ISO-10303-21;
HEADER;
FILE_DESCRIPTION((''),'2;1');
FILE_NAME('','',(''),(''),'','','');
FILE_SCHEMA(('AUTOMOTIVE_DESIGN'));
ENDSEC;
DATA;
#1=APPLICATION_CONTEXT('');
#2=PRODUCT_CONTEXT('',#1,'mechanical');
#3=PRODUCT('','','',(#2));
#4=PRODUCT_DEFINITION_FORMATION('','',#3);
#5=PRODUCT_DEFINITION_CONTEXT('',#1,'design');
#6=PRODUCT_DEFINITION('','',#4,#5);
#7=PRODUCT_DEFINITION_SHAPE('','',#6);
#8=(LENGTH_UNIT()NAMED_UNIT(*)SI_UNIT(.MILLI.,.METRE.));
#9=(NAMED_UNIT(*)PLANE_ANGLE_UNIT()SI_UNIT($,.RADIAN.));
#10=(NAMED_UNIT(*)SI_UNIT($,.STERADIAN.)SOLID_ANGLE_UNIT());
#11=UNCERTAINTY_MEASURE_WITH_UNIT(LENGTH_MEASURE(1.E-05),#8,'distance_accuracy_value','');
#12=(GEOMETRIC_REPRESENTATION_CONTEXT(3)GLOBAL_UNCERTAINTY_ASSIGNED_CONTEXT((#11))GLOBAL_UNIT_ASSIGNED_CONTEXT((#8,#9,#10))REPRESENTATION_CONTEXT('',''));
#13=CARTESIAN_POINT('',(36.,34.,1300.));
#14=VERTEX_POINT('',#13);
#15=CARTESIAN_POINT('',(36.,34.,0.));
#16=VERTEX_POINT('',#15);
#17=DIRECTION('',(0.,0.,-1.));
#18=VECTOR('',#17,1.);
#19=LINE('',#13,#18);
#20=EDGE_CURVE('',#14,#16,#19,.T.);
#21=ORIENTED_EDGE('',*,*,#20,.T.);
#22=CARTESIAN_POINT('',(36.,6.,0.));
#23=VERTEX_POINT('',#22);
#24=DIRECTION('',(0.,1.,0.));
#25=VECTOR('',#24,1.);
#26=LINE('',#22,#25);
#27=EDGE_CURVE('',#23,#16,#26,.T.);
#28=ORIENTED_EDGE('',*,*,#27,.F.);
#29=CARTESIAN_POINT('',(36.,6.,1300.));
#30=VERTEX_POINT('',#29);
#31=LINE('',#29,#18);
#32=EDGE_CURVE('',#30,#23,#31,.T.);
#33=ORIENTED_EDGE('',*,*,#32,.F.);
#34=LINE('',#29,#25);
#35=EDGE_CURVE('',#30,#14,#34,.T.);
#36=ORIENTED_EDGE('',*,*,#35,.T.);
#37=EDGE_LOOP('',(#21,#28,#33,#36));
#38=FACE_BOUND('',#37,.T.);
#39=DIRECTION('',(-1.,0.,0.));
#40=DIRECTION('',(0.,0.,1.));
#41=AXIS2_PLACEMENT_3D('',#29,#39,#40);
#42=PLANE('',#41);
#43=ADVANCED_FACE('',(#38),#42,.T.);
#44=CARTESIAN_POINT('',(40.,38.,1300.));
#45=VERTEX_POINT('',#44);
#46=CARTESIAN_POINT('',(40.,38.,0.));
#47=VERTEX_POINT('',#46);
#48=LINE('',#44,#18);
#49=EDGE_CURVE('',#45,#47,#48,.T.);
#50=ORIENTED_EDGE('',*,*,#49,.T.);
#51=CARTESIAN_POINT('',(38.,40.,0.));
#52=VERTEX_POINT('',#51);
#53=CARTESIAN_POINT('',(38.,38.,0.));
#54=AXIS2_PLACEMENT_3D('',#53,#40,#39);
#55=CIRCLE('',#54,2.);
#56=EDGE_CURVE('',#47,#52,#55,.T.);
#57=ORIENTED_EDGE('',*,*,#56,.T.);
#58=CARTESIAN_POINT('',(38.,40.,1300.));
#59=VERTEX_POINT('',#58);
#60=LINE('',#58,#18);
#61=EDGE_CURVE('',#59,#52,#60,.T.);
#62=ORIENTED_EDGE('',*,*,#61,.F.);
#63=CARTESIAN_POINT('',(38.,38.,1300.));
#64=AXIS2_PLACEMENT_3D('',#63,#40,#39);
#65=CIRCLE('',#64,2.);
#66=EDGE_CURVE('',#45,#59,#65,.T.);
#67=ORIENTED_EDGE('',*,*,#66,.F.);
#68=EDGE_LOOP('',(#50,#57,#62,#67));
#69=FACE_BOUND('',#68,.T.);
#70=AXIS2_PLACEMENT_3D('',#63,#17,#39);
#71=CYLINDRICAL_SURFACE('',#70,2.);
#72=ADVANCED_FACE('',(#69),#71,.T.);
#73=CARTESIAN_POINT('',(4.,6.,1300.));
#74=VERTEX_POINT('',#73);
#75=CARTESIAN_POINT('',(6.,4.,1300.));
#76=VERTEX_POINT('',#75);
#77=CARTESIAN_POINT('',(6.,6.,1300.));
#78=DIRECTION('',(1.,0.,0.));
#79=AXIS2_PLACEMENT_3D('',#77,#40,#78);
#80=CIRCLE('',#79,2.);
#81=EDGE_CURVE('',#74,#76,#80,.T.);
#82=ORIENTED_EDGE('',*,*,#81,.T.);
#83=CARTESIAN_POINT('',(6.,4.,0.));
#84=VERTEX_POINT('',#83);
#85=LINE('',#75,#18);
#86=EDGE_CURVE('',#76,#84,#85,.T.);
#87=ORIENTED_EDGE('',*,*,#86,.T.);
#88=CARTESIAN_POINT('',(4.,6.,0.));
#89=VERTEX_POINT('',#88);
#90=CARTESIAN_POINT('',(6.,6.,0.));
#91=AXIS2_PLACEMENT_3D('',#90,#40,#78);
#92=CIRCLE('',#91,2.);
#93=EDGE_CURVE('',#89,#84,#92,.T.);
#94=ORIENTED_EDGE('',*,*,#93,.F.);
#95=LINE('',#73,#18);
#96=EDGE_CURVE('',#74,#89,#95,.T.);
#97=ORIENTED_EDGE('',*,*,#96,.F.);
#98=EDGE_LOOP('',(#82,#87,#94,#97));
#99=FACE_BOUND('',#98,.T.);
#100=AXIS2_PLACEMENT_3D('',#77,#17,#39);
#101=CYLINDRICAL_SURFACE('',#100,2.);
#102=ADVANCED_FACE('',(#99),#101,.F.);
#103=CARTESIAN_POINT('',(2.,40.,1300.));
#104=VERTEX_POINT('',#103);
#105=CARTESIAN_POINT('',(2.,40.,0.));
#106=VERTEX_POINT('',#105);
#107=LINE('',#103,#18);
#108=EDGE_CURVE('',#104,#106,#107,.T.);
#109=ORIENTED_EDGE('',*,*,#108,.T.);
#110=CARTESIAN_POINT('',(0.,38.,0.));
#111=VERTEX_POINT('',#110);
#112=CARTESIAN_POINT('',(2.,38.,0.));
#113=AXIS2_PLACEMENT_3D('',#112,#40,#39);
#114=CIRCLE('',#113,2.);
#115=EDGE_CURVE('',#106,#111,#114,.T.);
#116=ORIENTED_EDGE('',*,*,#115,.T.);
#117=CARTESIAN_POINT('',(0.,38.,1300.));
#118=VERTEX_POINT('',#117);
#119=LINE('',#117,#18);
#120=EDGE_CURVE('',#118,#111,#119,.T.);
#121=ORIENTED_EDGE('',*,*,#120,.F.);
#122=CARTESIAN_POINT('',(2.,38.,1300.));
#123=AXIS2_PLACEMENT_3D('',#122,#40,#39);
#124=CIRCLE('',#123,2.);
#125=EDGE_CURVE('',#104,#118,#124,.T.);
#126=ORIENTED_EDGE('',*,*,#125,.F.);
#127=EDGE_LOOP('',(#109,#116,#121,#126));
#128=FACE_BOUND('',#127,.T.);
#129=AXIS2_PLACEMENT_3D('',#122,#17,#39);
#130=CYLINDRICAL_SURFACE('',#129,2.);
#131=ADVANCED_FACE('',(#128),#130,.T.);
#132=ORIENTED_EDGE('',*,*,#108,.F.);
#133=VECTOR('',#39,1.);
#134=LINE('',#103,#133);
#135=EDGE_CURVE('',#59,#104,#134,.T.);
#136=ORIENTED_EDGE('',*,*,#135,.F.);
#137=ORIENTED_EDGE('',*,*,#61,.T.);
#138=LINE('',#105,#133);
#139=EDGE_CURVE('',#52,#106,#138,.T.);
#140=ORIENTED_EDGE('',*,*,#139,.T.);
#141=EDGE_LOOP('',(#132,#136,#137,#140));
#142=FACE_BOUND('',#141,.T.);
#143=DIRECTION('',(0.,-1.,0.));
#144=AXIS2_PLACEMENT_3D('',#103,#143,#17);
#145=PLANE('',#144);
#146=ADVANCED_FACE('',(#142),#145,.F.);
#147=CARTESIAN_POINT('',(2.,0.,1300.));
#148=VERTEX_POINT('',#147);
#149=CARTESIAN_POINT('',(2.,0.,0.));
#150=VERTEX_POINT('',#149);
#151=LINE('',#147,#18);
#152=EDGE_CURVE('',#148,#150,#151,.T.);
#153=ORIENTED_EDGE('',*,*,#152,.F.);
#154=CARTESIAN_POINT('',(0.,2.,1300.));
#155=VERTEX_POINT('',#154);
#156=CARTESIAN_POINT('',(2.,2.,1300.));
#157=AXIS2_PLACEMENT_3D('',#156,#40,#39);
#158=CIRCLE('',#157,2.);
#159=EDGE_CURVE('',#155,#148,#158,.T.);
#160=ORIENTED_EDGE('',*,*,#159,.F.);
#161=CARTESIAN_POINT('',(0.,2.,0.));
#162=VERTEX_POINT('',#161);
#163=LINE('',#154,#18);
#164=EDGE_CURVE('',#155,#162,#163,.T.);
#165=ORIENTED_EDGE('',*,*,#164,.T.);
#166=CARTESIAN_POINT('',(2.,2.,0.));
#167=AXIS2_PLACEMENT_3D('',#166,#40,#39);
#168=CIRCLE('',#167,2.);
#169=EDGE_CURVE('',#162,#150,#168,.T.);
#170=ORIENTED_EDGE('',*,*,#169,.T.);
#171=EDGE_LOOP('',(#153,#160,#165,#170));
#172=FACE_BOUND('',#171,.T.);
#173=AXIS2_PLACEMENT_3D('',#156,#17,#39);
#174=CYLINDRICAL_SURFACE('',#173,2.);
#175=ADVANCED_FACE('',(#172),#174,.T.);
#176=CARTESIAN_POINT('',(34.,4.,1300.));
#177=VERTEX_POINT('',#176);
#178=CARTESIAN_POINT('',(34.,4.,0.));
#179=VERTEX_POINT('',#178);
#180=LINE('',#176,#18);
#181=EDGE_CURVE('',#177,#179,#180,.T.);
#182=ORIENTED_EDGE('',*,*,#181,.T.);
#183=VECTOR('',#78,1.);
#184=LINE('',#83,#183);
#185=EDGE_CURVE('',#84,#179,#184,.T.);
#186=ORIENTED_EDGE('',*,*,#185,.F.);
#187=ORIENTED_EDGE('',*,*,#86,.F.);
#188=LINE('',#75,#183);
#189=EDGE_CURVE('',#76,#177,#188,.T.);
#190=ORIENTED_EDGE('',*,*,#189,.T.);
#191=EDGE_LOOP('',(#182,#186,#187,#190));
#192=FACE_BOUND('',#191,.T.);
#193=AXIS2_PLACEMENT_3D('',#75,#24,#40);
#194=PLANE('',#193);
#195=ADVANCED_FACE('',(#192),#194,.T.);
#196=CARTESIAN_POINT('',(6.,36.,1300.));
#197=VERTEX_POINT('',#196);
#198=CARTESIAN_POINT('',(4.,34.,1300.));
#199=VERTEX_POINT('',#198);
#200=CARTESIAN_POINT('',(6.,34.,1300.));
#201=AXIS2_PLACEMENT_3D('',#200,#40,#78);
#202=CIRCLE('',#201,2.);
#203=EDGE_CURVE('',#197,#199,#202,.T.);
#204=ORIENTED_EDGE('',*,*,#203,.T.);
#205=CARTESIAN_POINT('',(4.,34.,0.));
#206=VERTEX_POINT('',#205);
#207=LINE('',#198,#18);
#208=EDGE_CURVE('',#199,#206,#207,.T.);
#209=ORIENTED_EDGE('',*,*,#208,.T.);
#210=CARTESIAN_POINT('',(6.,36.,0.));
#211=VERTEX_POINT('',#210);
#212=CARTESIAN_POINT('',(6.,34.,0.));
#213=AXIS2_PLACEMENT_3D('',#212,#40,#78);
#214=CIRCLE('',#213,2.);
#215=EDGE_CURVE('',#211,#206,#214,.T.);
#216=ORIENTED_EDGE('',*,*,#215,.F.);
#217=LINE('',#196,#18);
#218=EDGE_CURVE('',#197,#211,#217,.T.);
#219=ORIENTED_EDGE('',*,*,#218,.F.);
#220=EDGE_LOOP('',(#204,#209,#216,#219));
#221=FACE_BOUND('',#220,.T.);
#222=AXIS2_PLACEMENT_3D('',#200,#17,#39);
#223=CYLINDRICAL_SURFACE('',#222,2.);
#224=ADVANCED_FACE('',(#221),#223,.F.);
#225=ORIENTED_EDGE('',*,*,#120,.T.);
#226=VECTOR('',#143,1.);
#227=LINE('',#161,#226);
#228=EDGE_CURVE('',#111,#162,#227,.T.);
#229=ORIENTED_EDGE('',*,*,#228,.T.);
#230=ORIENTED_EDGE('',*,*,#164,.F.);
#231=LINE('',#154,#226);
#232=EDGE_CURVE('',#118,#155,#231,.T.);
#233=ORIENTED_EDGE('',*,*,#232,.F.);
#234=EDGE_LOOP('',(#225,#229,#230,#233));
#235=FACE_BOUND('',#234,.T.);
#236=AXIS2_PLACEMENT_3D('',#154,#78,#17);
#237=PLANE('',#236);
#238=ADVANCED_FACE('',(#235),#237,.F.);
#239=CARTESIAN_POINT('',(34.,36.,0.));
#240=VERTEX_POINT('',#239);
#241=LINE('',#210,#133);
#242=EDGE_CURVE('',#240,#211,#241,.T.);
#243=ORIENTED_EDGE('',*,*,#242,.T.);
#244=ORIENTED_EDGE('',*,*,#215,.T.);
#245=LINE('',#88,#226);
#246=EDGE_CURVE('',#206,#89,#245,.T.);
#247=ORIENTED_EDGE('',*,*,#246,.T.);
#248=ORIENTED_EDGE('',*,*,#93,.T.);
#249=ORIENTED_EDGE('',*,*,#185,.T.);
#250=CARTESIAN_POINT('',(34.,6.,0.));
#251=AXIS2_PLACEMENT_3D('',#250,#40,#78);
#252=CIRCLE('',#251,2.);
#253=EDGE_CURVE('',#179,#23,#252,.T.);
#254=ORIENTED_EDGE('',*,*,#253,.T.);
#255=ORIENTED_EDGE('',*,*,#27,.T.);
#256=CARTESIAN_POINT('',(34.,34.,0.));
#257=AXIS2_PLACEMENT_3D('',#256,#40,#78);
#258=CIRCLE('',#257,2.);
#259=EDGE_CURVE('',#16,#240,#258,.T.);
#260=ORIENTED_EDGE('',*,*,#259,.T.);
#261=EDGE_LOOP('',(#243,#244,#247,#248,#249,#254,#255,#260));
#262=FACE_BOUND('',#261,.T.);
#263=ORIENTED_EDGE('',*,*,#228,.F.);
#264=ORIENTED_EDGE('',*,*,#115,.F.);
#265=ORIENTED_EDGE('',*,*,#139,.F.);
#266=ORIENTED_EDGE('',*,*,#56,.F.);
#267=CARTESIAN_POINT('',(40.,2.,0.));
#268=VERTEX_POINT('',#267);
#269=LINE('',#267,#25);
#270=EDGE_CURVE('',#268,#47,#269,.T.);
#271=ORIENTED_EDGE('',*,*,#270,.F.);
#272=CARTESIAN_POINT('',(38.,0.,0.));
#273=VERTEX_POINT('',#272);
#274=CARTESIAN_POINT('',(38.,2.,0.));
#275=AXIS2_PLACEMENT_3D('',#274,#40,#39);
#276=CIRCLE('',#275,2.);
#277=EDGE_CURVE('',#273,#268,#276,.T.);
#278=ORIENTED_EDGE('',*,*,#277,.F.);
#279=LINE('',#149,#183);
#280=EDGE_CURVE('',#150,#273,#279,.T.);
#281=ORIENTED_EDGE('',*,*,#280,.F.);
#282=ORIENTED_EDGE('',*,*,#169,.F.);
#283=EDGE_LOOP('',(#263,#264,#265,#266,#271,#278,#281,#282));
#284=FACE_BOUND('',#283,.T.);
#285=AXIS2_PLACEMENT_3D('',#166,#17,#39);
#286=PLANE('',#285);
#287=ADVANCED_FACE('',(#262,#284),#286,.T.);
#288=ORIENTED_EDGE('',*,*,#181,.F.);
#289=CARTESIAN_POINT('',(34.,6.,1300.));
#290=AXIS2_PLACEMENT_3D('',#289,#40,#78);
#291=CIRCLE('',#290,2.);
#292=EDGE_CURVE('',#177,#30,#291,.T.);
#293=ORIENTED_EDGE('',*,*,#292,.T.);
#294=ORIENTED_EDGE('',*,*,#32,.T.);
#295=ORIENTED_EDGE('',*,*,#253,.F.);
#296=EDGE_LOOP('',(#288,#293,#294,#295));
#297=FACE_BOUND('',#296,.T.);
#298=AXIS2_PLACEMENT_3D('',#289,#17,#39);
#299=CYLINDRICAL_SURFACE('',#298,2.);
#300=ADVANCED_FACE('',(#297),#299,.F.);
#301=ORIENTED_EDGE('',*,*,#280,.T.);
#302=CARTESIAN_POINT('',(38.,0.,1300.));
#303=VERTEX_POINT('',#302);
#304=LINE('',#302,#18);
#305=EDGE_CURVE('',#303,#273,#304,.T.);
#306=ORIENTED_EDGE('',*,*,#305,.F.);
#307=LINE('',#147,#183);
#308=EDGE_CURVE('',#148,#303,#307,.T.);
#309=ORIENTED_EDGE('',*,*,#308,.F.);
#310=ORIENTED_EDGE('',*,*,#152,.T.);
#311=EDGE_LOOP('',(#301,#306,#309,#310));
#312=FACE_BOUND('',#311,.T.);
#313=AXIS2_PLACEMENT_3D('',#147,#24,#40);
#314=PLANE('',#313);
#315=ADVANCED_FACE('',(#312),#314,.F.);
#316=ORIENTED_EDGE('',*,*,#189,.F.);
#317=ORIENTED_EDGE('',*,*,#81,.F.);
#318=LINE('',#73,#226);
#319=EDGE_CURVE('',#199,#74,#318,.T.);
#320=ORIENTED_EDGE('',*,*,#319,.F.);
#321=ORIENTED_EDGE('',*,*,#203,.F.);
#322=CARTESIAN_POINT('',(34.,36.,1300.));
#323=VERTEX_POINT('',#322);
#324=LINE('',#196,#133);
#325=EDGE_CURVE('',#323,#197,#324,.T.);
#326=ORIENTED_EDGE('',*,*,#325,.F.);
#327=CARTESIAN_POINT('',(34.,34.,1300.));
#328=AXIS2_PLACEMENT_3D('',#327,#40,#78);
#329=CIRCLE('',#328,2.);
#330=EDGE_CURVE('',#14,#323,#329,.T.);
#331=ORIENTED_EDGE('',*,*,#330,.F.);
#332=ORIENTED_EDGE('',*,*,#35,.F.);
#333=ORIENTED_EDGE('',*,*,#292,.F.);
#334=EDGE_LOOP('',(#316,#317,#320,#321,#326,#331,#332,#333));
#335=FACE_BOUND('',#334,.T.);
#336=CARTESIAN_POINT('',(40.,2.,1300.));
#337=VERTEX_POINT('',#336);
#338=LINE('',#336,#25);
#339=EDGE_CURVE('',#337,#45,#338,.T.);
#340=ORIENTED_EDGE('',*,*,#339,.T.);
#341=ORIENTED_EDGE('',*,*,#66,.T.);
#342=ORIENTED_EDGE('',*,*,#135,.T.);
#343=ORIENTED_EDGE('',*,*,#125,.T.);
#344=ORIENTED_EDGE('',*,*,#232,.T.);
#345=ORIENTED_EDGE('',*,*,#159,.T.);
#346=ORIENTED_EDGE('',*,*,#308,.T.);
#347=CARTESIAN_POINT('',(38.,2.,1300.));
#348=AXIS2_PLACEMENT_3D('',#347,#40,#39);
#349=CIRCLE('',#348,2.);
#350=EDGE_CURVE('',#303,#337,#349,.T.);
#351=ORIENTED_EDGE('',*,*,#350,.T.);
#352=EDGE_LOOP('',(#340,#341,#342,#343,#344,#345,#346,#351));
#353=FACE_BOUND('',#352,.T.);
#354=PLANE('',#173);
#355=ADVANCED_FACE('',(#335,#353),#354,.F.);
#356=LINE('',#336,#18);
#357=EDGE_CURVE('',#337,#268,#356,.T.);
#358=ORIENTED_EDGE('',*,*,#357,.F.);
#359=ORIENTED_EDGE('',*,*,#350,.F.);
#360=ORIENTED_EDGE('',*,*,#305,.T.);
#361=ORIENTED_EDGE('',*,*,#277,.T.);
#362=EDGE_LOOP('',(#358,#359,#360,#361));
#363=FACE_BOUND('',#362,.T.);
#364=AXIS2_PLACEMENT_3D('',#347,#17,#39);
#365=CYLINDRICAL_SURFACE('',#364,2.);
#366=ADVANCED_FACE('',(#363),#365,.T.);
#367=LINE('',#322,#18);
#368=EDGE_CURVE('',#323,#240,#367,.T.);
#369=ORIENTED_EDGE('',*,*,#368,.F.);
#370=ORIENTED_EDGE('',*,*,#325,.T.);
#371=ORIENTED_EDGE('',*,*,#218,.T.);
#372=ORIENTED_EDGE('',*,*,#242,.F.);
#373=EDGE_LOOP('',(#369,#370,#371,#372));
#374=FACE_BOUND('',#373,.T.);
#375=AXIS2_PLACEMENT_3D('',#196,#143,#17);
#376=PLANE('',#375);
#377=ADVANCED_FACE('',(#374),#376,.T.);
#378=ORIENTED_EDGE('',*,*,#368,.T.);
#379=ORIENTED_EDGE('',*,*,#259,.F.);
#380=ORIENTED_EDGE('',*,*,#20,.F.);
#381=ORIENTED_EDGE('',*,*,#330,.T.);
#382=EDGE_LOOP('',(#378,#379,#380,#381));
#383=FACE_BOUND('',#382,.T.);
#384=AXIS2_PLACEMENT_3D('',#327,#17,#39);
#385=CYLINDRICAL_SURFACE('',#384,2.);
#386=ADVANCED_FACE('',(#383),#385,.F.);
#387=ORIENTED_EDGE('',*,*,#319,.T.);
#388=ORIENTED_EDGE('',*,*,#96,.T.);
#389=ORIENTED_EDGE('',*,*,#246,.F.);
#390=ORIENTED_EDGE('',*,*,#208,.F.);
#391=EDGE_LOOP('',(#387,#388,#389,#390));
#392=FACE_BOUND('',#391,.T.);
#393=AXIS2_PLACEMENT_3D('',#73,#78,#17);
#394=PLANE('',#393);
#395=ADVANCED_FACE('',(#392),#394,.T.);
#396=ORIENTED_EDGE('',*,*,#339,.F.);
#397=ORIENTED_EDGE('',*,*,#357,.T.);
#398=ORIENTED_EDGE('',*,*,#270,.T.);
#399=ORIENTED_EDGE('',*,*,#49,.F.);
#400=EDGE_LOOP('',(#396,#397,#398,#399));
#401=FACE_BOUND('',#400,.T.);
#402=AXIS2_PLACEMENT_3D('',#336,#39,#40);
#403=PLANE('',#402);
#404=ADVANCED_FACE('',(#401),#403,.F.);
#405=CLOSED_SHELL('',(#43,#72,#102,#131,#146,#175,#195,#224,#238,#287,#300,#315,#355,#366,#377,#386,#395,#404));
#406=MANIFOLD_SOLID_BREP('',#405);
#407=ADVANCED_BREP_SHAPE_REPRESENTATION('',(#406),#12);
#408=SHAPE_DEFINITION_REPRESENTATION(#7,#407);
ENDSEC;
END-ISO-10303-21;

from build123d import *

# Parameters (mm, degrees)
BOSS_EXTRU_1_DEPTH = 1300


with BuildPart() as part:
    # Esquisse2 → Boss.-Extru.1 (new body)
    with BuildSketch(Plane.XY):
        with BuildLine():
            Line((2, 0), (38, 0))
            ThreePointArc((38, 0), (39.414213562, 0.585786438), (40, 2))
            Line((40, 2), (40, 38))
            ThreePointArc((40, 38), (39.414213562, 39.414213562), (38, 40))
            Line((38, 40), (2, 40))
            ThreePointArc((2, 40), (0.585786438, 39.414213562), (0, 38))
            Line((0, 38), (0, 2))
            ThreePointArc((0, 2), (0.585786438, 0.585786438), (2, 0))
        make_face()
        with BuildLine():
            Line((6, 4), (34, 4))
            ThreePointArc((34, 4), (35.414213562, 4.585786438), (36, 6))
            Line((36, 6), (36, 34))
            ThreePointArc((36, 34), (35.414213562, 35.414213562), (34, 36))
            Line((34, 36), (6, 36))
            ThreePointArc((6, 36), (4.585786438, 35.414213562), (4, 34))
            Line((4, 34), (4, 6))
            ThreePointArc((4, 6), (4.585786438, 4.585786438), (6, 4))
        make_face(mode=Mode.SUBTRACT)
    extrude(amount=BOSS_EXTRU_1_DEPTH)


solid = part.part
